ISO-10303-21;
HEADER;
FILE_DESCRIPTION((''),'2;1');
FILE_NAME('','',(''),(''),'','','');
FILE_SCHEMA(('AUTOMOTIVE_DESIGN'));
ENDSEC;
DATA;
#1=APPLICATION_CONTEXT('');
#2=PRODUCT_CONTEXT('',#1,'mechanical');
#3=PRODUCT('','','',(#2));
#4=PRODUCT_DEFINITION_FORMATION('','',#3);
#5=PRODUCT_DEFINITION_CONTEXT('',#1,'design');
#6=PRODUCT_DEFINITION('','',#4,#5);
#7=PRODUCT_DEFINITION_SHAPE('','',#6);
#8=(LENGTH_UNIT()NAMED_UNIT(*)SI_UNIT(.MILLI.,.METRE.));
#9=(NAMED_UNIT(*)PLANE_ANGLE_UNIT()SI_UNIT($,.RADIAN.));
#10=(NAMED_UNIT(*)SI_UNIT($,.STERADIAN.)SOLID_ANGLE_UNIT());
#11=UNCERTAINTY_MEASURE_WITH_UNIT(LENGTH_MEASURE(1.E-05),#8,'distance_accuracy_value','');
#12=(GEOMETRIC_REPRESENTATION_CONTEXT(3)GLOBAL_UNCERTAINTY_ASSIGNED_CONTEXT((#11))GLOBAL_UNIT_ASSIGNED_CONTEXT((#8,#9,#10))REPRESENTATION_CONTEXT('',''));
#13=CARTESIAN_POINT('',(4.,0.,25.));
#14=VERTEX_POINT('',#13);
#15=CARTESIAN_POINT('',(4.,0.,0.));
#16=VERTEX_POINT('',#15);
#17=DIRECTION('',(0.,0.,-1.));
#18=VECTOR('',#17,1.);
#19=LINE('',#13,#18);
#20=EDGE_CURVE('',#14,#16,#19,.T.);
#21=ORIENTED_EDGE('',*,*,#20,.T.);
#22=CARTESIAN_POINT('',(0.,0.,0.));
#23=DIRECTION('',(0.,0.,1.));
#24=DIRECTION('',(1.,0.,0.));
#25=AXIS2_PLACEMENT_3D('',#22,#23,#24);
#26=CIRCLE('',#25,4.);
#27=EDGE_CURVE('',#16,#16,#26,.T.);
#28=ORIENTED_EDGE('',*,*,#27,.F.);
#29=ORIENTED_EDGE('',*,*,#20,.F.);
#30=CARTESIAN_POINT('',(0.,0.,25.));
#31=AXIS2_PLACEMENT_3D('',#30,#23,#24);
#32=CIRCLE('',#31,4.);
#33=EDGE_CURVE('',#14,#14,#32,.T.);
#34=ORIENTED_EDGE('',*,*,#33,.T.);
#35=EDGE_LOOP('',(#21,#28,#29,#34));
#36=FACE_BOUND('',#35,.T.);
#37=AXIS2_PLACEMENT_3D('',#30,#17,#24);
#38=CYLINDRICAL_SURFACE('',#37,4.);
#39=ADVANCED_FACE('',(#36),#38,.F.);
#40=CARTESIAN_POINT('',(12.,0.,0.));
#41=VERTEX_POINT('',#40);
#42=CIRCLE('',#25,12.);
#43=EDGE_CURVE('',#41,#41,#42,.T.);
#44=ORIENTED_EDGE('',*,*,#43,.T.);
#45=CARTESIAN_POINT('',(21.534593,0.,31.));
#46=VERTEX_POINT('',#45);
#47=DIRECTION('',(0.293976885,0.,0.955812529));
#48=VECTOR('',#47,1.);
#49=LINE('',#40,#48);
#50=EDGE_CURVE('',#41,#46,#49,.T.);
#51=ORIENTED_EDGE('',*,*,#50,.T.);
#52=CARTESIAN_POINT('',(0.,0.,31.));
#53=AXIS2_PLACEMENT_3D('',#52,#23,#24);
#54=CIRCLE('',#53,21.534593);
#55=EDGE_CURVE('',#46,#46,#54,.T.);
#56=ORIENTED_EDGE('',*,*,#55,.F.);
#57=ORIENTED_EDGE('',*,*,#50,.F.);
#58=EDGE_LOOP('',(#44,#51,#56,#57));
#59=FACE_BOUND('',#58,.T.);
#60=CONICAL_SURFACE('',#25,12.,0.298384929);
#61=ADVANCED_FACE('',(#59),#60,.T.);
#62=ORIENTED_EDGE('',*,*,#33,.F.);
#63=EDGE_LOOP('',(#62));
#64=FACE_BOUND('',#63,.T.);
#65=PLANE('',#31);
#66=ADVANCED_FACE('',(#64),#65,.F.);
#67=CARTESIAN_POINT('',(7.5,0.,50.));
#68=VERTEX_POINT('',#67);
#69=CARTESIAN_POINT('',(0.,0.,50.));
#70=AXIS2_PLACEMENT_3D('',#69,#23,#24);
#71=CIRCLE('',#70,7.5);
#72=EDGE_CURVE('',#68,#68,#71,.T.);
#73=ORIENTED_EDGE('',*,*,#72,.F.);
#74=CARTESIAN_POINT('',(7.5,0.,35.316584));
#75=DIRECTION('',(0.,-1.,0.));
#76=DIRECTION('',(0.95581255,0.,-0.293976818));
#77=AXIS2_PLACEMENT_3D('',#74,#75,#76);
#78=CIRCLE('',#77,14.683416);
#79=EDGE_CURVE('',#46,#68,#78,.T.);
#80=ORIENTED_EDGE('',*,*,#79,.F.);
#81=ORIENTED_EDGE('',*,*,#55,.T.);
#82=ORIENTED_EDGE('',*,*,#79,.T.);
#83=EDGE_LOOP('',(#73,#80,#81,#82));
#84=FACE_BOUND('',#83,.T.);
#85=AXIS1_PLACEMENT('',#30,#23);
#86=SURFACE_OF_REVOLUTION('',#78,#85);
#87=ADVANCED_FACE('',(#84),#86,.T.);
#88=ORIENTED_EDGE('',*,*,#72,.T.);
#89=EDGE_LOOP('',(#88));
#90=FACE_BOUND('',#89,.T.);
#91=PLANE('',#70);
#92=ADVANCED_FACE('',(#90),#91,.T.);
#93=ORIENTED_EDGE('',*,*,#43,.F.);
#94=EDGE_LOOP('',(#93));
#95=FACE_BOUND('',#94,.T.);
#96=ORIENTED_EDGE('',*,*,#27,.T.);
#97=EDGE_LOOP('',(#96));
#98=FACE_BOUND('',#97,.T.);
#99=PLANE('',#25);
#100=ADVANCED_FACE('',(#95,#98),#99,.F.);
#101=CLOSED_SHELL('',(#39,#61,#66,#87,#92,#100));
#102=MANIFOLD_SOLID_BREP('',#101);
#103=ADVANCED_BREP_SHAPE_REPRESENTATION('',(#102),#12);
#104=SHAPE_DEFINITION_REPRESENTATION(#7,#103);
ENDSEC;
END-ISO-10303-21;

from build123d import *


with BuildPart() as f1:
    # F0 (on Front) → F1 (revolve)
    with BuildSketch(Plane.XZ):
        with BuildLine():
            Line((0, 50), (0, 31))
            Line((0, 31), (21.534593, 31))
            ThreePointArc((21.534593, 31), (19.310692, 44.040703), (7.5, 50))
            Line((7.5, 50), (0, 50))
        make_face()
        Polygon((0, 31), (0, 25), (4, 25), (4, 0), (12, 0), (21.534593, 31), align=None)
    revolve(axis=Axis((0, 0, 25), (0, 0, 1)))


solid = f1.part
